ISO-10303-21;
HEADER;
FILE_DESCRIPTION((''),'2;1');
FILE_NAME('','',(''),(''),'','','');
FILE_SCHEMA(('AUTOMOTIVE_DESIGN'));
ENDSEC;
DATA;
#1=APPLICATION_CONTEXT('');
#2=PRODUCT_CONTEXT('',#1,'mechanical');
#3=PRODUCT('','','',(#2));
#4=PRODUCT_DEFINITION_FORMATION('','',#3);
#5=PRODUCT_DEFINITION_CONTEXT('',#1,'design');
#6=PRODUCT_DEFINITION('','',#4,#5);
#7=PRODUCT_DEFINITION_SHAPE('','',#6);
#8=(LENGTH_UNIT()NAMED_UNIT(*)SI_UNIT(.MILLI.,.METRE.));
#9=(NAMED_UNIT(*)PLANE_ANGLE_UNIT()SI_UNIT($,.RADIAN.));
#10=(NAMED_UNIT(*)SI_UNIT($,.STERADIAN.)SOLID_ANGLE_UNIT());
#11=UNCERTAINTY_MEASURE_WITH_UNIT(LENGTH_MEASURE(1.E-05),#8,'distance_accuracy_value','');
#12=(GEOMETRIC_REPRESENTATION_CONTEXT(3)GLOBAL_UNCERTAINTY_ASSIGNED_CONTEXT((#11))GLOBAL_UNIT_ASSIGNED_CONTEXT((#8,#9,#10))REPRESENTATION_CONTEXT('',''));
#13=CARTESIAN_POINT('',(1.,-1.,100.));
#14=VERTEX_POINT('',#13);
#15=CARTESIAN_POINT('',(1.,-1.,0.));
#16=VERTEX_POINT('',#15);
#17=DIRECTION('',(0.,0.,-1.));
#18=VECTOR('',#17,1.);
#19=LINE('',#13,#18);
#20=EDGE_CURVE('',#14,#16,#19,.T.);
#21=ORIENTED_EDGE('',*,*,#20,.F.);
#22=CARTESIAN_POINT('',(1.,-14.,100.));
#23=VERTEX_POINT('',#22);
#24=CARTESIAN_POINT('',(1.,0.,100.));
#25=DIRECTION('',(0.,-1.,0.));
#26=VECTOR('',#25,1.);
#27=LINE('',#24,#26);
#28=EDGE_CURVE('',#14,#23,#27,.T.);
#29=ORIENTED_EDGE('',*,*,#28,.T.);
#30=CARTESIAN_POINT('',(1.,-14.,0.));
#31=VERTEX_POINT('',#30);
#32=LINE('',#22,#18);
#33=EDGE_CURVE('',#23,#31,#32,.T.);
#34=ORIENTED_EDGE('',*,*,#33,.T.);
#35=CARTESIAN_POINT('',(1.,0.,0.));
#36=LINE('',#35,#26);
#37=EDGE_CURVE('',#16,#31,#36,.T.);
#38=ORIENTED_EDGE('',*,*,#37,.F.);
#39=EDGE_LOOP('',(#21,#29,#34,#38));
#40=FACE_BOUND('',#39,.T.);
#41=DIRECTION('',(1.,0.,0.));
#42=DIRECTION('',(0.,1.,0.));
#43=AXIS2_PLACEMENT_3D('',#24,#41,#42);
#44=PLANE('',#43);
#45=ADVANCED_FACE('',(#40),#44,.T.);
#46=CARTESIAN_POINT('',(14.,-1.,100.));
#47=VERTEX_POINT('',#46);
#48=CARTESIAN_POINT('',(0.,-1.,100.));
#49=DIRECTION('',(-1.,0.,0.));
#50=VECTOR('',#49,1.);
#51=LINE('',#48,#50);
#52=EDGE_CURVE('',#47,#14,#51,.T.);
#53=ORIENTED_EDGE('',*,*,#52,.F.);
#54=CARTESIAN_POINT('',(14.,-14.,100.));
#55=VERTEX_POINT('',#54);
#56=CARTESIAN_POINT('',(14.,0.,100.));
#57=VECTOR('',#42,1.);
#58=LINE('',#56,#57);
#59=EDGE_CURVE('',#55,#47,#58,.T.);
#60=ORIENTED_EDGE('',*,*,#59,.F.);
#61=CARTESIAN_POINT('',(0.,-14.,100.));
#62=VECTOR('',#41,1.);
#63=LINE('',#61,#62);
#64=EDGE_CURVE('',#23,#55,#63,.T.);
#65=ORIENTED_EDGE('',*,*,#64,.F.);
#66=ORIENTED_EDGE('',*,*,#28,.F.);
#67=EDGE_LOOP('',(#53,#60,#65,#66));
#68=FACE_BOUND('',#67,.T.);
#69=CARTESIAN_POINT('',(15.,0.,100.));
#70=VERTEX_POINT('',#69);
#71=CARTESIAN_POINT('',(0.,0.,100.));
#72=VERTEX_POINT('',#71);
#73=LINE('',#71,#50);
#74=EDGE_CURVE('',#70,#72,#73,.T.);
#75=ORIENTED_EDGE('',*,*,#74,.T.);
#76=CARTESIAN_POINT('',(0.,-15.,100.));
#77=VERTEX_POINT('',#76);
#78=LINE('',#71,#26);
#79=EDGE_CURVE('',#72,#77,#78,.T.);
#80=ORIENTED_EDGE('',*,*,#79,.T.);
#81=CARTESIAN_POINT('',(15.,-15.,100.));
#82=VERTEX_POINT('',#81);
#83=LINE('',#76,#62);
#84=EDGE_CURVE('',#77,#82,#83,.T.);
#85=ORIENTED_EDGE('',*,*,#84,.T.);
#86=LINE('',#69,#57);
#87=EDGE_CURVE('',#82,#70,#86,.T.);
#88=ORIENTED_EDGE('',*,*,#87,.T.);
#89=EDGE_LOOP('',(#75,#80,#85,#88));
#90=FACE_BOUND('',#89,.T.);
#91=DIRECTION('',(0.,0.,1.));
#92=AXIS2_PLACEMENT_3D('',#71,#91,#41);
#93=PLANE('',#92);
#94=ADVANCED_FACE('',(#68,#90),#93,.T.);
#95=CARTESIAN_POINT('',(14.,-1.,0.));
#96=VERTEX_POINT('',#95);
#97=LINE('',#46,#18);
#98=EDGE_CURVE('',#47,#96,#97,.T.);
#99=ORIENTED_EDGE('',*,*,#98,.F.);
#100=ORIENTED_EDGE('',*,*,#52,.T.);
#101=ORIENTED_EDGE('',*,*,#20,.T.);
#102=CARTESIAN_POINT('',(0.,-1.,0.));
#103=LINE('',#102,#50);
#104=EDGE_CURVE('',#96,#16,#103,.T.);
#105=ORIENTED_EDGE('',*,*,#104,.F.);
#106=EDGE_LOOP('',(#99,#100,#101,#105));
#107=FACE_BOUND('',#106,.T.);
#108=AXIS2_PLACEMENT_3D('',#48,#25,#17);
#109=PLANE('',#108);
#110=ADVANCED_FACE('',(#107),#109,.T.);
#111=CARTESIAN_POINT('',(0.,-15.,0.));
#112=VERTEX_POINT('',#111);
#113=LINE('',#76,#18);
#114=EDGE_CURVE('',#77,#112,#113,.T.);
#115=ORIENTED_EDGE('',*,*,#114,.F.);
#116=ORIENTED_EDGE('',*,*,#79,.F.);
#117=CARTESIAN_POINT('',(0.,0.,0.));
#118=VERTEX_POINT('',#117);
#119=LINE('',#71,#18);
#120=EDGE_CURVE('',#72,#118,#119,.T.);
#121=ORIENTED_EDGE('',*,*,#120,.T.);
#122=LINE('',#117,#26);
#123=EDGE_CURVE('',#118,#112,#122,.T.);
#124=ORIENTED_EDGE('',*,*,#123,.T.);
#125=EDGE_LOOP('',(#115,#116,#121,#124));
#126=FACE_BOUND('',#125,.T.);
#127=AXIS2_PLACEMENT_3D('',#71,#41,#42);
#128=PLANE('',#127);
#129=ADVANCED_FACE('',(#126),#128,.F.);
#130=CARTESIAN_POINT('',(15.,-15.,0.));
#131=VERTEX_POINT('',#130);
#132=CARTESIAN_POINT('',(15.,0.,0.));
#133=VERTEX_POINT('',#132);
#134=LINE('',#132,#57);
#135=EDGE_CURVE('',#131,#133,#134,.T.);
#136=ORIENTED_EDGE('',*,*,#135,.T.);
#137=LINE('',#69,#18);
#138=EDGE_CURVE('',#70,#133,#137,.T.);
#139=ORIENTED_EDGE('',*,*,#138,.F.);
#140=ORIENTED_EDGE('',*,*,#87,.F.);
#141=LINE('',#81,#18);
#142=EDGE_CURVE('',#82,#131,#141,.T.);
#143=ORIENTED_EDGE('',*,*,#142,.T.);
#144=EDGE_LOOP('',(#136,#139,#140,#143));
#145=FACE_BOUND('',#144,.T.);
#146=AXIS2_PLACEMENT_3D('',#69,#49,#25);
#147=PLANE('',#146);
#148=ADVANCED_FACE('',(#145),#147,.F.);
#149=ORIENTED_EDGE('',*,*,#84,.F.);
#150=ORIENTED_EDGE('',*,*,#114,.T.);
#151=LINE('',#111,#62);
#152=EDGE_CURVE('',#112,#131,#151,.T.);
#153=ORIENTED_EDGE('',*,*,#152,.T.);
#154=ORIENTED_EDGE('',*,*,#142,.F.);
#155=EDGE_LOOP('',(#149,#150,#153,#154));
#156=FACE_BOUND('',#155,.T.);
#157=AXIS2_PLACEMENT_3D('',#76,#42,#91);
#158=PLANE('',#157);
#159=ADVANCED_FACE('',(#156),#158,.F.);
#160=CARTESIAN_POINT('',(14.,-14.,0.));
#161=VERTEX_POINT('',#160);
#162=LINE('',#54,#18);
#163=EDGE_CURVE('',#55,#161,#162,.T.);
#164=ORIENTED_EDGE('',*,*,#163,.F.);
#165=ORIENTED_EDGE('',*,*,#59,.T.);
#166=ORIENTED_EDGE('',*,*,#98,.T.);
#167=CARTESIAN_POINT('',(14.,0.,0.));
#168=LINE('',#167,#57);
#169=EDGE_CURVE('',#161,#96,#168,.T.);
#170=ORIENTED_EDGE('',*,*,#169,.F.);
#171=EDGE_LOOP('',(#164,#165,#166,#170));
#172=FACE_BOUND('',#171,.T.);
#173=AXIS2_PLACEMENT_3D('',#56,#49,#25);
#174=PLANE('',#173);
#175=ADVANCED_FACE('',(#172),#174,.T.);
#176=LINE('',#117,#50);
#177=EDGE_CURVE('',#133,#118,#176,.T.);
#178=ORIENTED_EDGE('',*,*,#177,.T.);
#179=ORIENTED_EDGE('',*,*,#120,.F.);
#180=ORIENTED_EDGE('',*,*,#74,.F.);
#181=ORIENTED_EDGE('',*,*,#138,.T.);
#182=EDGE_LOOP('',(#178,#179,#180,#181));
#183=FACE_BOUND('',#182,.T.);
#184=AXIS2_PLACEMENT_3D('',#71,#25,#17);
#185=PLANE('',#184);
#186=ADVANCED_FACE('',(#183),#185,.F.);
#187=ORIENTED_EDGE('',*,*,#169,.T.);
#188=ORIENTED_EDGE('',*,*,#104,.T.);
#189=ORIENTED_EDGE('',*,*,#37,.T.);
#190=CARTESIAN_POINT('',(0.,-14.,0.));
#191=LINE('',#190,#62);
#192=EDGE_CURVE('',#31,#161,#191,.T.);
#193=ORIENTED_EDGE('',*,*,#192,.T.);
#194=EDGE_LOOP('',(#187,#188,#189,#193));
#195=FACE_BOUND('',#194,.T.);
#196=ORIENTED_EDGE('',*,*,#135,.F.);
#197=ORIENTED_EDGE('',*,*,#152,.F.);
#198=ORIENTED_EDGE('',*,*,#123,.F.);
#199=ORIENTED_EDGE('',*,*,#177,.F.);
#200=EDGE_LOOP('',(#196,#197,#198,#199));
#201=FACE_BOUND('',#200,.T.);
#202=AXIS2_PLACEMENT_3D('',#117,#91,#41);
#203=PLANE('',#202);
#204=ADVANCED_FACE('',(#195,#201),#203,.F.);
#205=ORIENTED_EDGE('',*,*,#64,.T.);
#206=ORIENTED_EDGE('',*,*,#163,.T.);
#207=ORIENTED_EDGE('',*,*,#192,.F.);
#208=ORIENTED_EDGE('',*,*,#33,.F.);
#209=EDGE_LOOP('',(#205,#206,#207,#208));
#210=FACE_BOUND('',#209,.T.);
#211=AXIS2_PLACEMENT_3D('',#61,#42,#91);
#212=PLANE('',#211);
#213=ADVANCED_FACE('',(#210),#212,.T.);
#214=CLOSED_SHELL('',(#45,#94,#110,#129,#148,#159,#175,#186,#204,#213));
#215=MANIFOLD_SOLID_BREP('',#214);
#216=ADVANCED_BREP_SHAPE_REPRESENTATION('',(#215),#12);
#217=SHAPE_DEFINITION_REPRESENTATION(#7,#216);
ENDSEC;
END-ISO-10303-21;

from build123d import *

# Parameters (mm, degrees)
SKETCH_1_W      = 15
SKETCH_1_H      = 15
SKETCH_1_W_2    = 13
SKETCH_1_H_2    = 13
EXTRUDE_1_DEPTH = 100


with BuildPart() as part:
    # 草图1 → 拉伸-薄壁1 (new body)
    with BuildSketch(Plane.XY):
        with Locations((7.5, -7.5)):
            Rectangle(SKETCH_1_W, SKETCH_1_H)
        with Locations((7.5, -7.5)):
            Rectangle(SKETCH_1_W_2, SKETCH_1_H_2, mode=Mode.SUBTRACT)
    extrude(amount=EXTRUDE_1_DEPTH)


solid = part.part
